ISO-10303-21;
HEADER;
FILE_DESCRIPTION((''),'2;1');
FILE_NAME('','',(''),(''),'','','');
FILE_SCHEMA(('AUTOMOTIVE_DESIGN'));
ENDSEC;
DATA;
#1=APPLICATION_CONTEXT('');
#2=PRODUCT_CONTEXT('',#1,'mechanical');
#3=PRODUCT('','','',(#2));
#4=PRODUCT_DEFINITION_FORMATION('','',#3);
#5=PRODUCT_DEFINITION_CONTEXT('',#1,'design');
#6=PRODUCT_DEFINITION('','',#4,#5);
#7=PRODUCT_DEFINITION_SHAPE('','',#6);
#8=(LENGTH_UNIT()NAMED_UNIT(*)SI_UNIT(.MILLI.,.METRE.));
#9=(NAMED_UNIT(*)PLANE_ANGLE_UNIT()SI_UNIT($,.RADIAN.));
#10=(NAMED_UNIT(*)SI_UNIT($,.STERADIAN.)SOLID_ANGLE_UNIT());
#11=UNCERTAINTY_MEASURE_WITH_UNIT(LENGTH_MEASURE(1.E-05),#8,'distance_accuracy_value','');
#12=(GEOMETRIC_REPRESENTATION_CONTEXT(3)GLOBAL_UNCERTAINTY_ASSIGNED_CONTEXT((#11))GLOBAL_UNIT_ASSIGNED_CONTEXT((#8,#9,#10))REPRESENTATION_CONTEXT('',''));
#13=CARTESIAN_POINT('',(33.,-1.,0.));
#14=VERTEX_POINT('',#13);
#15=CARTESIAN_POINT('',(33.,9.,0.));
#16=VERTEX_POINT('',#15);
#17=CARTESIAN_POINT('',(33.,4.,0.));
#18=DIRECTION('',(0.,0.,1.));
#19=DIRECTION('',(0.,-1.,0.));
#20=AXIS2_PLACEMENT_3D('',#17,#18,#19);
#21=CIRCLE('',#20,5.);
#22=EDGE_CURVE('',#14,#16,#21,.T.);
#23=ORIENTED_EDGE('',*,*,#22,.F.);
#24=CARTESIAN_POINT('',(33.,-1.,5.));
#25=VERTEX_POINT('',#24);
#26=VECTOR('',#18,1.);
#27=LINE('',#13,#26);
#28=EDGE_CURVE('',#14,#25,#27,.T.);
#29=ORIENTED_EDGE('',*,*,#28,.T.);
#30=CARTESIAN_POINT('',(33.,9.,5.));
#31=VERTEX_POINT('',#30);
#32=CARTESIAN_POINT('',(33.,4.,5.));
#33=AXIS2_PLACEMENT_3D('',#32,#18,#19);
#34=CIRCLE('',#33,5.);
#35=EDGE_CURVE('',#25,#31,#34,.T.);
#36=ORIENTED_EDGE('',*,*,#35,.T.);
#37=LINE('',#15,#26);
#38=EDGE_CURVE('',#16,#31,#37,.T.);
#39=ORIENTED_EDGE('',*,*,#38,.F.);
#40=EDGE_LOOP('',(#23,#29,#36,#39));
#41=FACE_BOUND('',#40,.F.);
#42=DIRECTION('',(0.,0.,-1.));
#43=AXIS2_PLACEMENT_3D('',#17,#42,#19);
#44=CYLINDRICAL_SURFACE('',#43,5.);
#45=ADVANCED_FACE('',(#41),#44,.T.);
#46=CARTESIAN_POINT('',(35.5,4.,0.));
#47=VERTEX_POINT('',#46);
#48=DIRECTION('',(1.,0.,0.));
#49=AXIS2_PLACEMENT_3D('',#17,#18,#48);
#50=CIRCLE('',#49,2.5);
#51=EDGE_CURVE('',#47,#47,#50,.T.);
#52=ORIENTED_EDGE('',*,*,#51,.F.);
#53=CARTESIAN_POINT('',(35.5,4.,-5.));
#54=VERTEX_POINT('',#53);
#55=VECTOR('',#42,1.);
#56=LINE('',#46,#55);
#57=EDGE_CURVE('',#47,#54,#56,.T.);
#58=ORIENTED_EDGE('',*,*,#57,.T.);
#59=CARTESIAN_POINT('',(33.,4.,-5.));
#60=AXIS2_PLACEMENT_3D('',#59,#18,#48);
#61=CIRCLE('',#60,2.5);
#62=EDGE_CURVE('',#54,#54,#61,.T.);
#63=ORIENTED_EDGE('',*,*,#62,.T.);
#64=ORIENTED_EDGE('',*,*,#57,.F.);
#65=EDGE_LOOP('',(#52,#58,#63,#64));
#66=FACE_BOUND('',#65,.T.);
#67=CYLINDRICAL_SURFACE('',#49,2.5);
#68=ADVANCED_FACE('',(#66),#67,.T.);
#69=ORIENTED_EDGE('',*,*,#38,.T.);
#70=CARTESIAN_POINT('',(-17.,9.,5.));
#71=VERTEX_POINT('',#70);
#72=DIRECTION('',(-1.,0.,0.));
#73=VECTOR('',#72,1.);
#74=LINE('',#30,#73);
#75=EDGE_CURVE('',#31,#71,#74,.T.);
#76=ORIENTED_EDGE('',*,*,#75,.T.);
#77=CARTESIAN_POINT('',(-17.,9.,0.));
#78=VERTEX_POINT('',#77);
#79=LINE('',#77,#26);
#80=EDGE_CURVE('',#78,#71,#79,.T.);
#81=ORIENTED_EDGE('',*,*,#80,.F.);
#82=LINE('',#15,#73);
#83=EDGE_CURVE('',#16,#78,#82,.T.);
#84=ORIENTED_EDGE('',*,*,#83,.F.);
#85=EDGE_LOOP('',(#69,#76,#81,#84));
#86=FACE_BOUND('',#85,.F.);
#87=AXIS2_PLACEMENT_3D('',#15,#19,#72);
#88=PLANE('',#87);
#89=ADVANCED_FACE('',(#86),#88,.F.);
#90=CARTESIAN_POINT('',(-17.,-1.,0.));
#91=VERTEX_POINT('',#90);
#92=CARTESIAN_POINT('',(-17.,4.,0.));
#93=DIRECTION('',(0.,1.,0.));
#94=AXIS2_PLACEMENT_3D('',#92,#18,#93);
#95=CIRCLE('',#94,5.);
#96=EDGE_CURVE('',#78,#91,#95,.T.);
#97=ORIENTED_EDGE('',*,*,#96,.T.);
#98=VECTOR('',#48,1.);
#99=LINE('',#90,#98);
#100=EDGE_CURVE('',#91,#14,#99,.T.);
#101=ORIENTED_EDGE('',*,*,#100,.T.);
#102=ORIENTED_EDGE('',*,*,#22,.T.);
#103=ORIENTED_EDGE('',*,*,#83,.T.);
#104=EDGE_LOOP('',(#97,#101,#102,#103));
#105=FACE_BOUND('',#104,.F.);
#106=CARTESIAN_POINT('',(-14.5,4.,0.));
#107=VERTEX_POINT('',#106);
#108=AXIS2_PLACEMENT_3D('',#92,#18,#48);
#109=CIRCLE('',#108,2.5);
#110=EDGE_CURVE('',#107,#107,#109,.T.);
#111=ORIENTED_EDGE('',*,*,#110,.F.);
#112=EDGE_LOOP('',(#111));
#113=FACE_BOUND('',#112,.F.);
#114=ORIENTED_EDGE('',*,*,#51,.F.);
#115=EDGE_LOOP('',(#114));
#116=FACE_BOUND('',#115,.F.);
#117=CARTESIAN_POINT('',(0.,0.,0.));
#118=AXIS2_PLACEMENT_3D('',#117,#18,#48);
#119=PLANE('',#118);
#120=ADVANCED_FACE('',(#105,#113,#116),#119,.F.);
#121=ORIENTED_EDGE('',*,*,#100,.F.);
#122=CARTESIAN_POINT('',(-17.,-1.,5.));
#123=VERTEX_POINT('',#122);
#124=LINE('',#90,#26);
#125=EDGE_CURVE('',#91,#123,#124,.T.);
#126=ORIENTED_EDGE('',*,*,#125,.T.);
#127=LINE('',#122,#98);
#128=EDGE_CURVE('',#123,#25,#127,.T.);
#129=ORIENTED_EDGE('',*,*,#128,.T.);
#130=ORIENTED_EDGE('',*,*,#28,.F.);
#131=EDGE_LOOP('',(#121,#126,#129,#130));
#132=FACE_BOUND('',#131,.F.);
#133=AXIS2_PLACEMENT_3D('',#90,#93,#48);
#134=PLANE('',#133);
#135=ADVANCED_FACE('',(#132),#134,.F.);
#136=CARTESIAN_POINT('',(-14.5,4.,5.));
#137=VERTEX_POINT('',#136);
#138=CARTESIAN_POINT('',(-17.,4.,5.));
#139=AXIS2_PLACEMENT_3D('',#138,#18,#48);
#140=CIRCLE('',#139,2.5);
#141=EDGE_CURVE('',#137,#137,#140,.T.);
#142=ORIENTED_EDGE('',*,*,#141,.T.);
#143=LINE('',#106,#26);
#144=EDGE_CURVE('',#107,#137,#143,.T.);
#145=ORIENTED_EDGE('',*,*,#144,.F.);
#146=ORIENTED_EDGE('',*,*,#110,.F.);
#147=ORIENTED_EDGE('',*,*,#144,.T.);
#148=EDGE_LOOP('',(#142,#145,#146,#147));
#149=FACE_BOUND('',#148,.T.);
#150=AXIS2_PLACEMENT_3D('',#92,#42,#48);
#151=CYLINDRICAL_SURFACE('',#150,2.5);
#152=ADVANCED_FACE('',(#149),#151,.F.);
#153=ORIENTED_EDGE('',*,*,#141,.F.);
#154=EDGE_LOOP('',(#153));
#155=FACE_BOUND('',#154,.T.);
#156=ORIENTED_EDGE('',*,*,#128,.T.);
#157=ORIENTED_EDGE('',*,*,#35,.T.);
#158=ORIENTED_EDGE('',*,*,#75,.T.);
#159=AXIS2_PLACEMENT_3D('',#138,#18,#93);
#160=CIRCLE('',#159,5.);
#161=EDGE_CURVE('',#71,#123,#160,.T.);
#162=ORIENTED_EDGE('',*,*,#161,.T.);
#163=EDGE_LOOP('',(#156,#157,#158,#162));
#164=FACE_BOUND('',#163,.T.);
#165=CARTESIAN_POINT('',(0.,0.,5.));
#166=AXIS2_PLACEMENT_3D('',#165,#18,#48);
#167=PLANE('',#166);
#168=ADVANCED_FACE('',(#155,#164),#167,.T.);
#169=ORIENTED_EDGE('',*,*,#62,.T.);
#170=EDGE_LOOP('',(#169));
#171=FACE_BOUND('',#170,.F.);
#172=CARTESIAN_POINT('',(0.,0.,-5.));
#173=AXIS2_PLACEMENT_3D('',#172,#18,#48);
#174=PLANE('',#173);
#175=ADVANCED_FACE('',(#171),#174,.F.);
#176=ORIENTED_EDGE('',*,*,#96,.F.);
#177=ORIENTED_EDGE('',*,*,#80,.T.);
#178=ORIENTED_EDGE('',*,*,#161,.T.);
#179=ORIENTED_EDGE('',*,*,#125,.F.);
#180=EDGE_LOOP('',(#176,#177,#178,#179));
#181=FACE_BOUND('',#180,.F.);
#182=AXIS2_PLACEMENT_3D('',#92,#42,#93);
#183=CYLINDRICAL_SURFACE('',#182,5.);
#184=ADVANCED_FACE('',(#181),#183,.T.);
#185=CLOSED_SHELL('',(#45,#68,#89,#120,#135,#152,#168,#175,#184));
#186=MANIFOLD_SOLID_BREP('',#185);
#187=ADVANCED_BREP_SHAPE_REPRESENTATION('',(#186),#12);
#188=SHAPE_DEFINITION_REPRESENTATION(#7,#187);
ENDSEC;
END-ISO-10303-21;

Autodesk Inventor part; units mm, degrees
ref_plane "YZ Plane" through (0, 0, 0) normal (1, 0, 0) x (0, 1, 0)
ref_plane "XZ Plane" through (0, 0, 0) normal (0, 1, 0) x (-1, 0, 0)
ref_plane "XY Plane" through (0, 0, 0) normal (0, 0, 1) x (1, 0, 0)
sketch "Sketch1" plane through (0, 0, 0) normal (0, 0, 1) x (1, 0, 0)
  line L0 (-17, 4) -> (33, 4) construction
  line L1 (-17, -1) -> (33, -1)
  line L2 (33, 9) -> (-17, 9)
  arc A0 (-17, 9) -> (-17, -1) centre (-17, 4) ccw
  arc A1 (33, -1) -> (33, 9) centre (33, 4) ccw
  circle A2 centre (-17, 4) radius 2.5
  circle A3 centre (33, 4) radius 2.5
  point P0 (0, 0)
  point P1 (8, 4)
  dimension "d0" = 50
  dimension "d1" = 10
  dimension "d2" = 5
extrude "Extrusion1" add sketch "Sketch1" along normal blind 5 contours A0 L2 A1 L1 | A3
extrude "Extrusion2" add sketch "Sketch1" against normal blind 5 contours A3
